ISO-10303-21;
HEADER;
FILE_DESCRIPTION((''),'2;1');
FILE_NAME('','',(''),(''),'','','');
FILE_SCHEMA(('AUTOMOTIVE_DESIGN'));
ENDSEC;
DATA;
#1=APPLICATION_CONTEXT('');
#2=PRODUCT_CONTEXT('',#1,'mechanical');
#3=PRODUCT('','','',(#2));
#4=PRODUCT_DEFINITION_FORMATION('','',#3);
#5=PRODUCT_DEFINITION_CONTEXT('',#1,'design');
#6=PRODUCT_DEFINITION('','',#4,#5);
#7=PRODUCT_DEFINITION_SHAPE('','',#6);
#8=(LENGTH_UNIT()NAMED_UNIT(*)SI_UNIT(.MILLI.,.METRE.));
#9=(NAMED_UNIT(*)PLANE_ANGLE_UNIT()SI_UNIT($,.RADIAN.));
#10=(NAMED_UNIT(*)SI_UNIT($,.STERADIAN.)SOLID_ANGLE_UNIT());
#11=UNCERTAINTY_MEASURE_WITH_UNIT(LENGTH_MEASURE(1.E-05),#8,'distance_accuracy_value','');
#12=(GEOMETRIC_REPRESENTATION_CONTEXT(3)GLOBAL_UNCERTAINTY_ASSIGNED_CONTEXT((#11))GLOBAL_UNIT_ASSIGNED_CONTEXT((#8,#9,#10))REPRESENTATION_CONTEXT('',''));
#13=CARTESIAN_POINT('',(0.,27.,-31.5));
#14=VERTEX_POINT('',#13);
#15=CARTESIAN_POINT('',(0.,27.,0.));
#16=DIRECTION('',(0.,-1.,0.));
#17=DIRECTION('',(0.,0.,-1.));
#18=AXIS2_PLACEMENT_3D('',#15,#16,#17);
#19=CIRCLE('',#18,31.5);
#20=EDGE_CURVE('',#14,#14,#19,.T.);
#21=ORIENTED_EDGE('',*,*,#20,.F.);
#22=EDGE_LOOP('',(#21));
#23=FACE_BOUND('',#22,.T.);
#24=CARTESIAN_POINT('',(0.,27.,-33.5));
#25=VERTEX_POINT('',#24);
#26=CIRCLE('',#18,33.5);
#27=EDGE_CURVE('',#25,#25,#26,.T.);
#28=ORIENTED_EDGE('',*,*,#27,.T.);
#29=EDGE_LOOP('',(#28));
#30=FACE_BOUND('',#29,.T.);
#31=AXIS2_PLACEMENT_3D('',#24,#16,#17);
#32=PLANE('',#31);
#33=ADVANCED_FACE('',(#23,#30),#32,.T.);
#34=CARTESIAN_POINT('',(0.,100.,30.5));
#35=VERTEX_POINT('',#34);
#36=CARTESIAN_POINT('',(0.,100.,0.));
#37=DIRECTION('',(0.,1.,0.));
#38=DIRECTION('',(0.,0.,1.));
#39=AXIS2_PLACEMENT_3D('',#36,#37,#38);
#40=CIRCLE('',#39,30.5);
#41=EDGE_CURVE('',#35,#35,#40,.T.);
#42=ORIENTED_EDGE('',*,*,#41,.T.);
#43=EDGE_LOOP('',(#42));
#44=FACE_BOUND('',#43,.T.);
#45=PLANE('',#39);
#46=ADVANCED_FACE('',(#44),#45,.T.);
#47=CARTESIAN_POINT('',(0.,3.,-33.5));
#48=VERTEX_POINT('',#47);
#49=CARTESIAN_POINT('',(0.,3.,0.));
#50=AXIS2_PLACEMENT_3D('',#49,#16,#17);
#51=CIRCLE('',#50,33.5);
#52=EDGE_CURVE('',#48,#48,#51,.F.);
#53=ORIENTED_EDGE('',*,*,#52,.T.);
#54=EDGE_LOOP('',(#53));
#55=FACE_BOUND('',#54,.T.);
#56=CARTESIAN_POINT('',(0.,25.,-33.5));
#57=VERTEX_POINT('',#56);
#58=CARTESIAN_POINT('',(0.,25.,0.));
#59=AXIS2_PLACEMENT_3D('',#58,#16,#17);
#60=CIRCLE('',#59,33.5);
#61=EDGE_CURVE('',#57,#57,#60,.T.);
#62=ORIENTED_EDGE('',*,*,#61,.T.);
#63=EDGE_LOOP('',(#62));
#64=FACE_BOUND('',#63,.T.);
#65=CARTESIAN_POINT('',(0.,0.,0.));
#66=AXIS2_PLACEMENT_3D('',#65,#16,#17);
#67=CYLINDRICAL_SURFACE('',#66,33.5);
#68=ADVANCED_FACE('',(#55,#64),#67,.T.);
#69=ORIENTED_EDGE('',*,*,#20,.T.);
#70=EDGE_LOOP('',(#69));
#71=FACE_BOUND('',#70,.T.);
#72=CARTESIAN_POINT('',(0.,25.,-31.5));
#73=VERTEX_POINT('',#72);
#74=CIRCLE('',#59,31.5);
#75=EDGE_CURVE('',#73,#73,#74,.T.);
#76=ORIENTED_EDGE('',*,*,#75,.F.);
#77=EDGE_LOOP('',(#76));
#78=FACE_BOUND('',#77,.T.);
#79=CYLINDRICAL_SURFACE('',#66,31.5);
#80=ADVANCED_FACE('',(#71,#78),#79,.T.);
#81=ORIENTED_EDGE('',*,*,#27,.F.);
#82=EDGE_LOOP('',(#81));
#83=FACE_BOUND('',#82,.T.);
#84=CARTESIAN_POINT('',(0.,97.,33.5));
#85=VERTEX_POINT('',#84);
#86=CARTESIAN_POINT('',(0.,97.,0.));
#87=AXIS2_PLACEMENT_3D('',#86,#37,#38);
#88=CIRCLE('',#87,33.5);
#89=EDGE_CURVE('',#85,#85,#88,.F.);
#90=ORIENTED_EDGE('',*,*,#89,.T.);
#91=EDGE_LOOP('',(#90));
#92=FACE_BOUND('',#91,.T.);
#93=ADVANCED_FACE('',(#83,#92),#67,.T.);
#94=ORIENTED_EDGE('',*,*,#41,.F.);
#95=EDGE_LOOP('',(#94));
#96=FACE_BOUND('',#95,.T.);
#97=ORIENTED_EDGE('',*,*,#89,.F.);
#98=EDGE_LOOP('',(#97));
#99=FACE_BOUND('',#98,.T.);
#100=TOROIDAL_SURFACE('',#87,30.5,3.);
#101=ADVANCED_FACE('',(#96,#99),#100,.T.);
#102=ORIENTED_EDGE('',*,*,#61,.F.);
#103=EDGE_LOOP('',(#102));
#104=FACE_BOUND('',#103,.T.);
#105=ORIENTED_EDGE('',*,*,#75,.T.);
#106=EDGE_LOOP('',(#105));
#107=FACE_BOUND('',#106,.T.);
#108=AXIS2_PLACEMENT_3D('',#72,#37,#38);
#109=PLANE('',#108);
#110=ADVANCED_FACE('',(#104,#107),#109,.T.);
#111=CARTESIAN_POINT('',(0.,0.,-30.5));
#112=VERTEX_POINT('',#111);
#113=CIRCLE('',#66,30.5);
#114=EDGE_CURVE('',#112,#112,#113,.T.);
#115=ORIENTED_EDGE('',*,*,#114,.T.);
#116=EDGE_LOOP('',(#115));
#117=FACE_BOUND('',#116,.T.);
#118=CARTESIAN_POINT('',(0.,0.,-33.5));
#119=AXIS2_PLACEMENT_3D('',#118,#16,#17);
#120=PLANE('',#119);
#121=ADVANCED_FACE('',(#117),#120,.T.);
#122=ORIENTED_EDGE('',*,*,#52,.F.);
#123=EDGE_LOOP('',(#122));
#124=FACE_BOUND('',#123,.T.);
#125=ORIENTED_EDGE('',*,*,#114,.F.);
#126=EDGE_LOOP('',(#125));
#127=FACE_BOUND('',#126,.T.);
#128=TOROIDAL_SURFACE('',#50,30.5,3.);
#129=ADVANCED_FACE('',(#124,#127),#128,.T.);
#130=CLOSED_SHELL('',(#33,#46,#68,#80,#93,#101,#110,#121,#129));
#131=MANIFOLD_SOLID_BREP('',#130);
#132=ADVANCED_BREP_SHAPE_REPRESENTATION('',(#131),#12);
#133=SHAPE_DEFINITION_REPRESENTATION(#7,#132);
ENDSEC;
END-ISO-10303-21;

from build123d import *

# Parameters (mm, degrees)
FILLET1_R = 3
FILLET2_R = 3


with BuildPart() as part:
    # Sketch2 → Revolve1 (revolve)
    with BuildSketch(Plane(origin=(0, 0, 0), x_dir=(0, 0, -1), z_dir=(1, 0, 0))):
        Polygon((0, 0), (0, 100), (33.5, 100), (33.5, 27), (31.5, 27), (31.5, 25), (33.5, 25), (33.5, 0), align=None)
    revolve(axis=Axis((0, 0, 0), (0, 1, 0)))

    # Fillet1
    fillet1_edges = [part.edges().sort_by_distance(p)[0] for p in [
        (0, 100, 33.5),
    ]]
    fillet(fillet1_edges, radius=FILLET1_R)

    # Fillet2
    fillet2_edges = [part.edges().sort_by_distance(p)[0] for p in [
        (0, 0, 33.5),
    ]]
    fillet(fillet2_edges, radius=FILLET2_R)


solid = part.part
